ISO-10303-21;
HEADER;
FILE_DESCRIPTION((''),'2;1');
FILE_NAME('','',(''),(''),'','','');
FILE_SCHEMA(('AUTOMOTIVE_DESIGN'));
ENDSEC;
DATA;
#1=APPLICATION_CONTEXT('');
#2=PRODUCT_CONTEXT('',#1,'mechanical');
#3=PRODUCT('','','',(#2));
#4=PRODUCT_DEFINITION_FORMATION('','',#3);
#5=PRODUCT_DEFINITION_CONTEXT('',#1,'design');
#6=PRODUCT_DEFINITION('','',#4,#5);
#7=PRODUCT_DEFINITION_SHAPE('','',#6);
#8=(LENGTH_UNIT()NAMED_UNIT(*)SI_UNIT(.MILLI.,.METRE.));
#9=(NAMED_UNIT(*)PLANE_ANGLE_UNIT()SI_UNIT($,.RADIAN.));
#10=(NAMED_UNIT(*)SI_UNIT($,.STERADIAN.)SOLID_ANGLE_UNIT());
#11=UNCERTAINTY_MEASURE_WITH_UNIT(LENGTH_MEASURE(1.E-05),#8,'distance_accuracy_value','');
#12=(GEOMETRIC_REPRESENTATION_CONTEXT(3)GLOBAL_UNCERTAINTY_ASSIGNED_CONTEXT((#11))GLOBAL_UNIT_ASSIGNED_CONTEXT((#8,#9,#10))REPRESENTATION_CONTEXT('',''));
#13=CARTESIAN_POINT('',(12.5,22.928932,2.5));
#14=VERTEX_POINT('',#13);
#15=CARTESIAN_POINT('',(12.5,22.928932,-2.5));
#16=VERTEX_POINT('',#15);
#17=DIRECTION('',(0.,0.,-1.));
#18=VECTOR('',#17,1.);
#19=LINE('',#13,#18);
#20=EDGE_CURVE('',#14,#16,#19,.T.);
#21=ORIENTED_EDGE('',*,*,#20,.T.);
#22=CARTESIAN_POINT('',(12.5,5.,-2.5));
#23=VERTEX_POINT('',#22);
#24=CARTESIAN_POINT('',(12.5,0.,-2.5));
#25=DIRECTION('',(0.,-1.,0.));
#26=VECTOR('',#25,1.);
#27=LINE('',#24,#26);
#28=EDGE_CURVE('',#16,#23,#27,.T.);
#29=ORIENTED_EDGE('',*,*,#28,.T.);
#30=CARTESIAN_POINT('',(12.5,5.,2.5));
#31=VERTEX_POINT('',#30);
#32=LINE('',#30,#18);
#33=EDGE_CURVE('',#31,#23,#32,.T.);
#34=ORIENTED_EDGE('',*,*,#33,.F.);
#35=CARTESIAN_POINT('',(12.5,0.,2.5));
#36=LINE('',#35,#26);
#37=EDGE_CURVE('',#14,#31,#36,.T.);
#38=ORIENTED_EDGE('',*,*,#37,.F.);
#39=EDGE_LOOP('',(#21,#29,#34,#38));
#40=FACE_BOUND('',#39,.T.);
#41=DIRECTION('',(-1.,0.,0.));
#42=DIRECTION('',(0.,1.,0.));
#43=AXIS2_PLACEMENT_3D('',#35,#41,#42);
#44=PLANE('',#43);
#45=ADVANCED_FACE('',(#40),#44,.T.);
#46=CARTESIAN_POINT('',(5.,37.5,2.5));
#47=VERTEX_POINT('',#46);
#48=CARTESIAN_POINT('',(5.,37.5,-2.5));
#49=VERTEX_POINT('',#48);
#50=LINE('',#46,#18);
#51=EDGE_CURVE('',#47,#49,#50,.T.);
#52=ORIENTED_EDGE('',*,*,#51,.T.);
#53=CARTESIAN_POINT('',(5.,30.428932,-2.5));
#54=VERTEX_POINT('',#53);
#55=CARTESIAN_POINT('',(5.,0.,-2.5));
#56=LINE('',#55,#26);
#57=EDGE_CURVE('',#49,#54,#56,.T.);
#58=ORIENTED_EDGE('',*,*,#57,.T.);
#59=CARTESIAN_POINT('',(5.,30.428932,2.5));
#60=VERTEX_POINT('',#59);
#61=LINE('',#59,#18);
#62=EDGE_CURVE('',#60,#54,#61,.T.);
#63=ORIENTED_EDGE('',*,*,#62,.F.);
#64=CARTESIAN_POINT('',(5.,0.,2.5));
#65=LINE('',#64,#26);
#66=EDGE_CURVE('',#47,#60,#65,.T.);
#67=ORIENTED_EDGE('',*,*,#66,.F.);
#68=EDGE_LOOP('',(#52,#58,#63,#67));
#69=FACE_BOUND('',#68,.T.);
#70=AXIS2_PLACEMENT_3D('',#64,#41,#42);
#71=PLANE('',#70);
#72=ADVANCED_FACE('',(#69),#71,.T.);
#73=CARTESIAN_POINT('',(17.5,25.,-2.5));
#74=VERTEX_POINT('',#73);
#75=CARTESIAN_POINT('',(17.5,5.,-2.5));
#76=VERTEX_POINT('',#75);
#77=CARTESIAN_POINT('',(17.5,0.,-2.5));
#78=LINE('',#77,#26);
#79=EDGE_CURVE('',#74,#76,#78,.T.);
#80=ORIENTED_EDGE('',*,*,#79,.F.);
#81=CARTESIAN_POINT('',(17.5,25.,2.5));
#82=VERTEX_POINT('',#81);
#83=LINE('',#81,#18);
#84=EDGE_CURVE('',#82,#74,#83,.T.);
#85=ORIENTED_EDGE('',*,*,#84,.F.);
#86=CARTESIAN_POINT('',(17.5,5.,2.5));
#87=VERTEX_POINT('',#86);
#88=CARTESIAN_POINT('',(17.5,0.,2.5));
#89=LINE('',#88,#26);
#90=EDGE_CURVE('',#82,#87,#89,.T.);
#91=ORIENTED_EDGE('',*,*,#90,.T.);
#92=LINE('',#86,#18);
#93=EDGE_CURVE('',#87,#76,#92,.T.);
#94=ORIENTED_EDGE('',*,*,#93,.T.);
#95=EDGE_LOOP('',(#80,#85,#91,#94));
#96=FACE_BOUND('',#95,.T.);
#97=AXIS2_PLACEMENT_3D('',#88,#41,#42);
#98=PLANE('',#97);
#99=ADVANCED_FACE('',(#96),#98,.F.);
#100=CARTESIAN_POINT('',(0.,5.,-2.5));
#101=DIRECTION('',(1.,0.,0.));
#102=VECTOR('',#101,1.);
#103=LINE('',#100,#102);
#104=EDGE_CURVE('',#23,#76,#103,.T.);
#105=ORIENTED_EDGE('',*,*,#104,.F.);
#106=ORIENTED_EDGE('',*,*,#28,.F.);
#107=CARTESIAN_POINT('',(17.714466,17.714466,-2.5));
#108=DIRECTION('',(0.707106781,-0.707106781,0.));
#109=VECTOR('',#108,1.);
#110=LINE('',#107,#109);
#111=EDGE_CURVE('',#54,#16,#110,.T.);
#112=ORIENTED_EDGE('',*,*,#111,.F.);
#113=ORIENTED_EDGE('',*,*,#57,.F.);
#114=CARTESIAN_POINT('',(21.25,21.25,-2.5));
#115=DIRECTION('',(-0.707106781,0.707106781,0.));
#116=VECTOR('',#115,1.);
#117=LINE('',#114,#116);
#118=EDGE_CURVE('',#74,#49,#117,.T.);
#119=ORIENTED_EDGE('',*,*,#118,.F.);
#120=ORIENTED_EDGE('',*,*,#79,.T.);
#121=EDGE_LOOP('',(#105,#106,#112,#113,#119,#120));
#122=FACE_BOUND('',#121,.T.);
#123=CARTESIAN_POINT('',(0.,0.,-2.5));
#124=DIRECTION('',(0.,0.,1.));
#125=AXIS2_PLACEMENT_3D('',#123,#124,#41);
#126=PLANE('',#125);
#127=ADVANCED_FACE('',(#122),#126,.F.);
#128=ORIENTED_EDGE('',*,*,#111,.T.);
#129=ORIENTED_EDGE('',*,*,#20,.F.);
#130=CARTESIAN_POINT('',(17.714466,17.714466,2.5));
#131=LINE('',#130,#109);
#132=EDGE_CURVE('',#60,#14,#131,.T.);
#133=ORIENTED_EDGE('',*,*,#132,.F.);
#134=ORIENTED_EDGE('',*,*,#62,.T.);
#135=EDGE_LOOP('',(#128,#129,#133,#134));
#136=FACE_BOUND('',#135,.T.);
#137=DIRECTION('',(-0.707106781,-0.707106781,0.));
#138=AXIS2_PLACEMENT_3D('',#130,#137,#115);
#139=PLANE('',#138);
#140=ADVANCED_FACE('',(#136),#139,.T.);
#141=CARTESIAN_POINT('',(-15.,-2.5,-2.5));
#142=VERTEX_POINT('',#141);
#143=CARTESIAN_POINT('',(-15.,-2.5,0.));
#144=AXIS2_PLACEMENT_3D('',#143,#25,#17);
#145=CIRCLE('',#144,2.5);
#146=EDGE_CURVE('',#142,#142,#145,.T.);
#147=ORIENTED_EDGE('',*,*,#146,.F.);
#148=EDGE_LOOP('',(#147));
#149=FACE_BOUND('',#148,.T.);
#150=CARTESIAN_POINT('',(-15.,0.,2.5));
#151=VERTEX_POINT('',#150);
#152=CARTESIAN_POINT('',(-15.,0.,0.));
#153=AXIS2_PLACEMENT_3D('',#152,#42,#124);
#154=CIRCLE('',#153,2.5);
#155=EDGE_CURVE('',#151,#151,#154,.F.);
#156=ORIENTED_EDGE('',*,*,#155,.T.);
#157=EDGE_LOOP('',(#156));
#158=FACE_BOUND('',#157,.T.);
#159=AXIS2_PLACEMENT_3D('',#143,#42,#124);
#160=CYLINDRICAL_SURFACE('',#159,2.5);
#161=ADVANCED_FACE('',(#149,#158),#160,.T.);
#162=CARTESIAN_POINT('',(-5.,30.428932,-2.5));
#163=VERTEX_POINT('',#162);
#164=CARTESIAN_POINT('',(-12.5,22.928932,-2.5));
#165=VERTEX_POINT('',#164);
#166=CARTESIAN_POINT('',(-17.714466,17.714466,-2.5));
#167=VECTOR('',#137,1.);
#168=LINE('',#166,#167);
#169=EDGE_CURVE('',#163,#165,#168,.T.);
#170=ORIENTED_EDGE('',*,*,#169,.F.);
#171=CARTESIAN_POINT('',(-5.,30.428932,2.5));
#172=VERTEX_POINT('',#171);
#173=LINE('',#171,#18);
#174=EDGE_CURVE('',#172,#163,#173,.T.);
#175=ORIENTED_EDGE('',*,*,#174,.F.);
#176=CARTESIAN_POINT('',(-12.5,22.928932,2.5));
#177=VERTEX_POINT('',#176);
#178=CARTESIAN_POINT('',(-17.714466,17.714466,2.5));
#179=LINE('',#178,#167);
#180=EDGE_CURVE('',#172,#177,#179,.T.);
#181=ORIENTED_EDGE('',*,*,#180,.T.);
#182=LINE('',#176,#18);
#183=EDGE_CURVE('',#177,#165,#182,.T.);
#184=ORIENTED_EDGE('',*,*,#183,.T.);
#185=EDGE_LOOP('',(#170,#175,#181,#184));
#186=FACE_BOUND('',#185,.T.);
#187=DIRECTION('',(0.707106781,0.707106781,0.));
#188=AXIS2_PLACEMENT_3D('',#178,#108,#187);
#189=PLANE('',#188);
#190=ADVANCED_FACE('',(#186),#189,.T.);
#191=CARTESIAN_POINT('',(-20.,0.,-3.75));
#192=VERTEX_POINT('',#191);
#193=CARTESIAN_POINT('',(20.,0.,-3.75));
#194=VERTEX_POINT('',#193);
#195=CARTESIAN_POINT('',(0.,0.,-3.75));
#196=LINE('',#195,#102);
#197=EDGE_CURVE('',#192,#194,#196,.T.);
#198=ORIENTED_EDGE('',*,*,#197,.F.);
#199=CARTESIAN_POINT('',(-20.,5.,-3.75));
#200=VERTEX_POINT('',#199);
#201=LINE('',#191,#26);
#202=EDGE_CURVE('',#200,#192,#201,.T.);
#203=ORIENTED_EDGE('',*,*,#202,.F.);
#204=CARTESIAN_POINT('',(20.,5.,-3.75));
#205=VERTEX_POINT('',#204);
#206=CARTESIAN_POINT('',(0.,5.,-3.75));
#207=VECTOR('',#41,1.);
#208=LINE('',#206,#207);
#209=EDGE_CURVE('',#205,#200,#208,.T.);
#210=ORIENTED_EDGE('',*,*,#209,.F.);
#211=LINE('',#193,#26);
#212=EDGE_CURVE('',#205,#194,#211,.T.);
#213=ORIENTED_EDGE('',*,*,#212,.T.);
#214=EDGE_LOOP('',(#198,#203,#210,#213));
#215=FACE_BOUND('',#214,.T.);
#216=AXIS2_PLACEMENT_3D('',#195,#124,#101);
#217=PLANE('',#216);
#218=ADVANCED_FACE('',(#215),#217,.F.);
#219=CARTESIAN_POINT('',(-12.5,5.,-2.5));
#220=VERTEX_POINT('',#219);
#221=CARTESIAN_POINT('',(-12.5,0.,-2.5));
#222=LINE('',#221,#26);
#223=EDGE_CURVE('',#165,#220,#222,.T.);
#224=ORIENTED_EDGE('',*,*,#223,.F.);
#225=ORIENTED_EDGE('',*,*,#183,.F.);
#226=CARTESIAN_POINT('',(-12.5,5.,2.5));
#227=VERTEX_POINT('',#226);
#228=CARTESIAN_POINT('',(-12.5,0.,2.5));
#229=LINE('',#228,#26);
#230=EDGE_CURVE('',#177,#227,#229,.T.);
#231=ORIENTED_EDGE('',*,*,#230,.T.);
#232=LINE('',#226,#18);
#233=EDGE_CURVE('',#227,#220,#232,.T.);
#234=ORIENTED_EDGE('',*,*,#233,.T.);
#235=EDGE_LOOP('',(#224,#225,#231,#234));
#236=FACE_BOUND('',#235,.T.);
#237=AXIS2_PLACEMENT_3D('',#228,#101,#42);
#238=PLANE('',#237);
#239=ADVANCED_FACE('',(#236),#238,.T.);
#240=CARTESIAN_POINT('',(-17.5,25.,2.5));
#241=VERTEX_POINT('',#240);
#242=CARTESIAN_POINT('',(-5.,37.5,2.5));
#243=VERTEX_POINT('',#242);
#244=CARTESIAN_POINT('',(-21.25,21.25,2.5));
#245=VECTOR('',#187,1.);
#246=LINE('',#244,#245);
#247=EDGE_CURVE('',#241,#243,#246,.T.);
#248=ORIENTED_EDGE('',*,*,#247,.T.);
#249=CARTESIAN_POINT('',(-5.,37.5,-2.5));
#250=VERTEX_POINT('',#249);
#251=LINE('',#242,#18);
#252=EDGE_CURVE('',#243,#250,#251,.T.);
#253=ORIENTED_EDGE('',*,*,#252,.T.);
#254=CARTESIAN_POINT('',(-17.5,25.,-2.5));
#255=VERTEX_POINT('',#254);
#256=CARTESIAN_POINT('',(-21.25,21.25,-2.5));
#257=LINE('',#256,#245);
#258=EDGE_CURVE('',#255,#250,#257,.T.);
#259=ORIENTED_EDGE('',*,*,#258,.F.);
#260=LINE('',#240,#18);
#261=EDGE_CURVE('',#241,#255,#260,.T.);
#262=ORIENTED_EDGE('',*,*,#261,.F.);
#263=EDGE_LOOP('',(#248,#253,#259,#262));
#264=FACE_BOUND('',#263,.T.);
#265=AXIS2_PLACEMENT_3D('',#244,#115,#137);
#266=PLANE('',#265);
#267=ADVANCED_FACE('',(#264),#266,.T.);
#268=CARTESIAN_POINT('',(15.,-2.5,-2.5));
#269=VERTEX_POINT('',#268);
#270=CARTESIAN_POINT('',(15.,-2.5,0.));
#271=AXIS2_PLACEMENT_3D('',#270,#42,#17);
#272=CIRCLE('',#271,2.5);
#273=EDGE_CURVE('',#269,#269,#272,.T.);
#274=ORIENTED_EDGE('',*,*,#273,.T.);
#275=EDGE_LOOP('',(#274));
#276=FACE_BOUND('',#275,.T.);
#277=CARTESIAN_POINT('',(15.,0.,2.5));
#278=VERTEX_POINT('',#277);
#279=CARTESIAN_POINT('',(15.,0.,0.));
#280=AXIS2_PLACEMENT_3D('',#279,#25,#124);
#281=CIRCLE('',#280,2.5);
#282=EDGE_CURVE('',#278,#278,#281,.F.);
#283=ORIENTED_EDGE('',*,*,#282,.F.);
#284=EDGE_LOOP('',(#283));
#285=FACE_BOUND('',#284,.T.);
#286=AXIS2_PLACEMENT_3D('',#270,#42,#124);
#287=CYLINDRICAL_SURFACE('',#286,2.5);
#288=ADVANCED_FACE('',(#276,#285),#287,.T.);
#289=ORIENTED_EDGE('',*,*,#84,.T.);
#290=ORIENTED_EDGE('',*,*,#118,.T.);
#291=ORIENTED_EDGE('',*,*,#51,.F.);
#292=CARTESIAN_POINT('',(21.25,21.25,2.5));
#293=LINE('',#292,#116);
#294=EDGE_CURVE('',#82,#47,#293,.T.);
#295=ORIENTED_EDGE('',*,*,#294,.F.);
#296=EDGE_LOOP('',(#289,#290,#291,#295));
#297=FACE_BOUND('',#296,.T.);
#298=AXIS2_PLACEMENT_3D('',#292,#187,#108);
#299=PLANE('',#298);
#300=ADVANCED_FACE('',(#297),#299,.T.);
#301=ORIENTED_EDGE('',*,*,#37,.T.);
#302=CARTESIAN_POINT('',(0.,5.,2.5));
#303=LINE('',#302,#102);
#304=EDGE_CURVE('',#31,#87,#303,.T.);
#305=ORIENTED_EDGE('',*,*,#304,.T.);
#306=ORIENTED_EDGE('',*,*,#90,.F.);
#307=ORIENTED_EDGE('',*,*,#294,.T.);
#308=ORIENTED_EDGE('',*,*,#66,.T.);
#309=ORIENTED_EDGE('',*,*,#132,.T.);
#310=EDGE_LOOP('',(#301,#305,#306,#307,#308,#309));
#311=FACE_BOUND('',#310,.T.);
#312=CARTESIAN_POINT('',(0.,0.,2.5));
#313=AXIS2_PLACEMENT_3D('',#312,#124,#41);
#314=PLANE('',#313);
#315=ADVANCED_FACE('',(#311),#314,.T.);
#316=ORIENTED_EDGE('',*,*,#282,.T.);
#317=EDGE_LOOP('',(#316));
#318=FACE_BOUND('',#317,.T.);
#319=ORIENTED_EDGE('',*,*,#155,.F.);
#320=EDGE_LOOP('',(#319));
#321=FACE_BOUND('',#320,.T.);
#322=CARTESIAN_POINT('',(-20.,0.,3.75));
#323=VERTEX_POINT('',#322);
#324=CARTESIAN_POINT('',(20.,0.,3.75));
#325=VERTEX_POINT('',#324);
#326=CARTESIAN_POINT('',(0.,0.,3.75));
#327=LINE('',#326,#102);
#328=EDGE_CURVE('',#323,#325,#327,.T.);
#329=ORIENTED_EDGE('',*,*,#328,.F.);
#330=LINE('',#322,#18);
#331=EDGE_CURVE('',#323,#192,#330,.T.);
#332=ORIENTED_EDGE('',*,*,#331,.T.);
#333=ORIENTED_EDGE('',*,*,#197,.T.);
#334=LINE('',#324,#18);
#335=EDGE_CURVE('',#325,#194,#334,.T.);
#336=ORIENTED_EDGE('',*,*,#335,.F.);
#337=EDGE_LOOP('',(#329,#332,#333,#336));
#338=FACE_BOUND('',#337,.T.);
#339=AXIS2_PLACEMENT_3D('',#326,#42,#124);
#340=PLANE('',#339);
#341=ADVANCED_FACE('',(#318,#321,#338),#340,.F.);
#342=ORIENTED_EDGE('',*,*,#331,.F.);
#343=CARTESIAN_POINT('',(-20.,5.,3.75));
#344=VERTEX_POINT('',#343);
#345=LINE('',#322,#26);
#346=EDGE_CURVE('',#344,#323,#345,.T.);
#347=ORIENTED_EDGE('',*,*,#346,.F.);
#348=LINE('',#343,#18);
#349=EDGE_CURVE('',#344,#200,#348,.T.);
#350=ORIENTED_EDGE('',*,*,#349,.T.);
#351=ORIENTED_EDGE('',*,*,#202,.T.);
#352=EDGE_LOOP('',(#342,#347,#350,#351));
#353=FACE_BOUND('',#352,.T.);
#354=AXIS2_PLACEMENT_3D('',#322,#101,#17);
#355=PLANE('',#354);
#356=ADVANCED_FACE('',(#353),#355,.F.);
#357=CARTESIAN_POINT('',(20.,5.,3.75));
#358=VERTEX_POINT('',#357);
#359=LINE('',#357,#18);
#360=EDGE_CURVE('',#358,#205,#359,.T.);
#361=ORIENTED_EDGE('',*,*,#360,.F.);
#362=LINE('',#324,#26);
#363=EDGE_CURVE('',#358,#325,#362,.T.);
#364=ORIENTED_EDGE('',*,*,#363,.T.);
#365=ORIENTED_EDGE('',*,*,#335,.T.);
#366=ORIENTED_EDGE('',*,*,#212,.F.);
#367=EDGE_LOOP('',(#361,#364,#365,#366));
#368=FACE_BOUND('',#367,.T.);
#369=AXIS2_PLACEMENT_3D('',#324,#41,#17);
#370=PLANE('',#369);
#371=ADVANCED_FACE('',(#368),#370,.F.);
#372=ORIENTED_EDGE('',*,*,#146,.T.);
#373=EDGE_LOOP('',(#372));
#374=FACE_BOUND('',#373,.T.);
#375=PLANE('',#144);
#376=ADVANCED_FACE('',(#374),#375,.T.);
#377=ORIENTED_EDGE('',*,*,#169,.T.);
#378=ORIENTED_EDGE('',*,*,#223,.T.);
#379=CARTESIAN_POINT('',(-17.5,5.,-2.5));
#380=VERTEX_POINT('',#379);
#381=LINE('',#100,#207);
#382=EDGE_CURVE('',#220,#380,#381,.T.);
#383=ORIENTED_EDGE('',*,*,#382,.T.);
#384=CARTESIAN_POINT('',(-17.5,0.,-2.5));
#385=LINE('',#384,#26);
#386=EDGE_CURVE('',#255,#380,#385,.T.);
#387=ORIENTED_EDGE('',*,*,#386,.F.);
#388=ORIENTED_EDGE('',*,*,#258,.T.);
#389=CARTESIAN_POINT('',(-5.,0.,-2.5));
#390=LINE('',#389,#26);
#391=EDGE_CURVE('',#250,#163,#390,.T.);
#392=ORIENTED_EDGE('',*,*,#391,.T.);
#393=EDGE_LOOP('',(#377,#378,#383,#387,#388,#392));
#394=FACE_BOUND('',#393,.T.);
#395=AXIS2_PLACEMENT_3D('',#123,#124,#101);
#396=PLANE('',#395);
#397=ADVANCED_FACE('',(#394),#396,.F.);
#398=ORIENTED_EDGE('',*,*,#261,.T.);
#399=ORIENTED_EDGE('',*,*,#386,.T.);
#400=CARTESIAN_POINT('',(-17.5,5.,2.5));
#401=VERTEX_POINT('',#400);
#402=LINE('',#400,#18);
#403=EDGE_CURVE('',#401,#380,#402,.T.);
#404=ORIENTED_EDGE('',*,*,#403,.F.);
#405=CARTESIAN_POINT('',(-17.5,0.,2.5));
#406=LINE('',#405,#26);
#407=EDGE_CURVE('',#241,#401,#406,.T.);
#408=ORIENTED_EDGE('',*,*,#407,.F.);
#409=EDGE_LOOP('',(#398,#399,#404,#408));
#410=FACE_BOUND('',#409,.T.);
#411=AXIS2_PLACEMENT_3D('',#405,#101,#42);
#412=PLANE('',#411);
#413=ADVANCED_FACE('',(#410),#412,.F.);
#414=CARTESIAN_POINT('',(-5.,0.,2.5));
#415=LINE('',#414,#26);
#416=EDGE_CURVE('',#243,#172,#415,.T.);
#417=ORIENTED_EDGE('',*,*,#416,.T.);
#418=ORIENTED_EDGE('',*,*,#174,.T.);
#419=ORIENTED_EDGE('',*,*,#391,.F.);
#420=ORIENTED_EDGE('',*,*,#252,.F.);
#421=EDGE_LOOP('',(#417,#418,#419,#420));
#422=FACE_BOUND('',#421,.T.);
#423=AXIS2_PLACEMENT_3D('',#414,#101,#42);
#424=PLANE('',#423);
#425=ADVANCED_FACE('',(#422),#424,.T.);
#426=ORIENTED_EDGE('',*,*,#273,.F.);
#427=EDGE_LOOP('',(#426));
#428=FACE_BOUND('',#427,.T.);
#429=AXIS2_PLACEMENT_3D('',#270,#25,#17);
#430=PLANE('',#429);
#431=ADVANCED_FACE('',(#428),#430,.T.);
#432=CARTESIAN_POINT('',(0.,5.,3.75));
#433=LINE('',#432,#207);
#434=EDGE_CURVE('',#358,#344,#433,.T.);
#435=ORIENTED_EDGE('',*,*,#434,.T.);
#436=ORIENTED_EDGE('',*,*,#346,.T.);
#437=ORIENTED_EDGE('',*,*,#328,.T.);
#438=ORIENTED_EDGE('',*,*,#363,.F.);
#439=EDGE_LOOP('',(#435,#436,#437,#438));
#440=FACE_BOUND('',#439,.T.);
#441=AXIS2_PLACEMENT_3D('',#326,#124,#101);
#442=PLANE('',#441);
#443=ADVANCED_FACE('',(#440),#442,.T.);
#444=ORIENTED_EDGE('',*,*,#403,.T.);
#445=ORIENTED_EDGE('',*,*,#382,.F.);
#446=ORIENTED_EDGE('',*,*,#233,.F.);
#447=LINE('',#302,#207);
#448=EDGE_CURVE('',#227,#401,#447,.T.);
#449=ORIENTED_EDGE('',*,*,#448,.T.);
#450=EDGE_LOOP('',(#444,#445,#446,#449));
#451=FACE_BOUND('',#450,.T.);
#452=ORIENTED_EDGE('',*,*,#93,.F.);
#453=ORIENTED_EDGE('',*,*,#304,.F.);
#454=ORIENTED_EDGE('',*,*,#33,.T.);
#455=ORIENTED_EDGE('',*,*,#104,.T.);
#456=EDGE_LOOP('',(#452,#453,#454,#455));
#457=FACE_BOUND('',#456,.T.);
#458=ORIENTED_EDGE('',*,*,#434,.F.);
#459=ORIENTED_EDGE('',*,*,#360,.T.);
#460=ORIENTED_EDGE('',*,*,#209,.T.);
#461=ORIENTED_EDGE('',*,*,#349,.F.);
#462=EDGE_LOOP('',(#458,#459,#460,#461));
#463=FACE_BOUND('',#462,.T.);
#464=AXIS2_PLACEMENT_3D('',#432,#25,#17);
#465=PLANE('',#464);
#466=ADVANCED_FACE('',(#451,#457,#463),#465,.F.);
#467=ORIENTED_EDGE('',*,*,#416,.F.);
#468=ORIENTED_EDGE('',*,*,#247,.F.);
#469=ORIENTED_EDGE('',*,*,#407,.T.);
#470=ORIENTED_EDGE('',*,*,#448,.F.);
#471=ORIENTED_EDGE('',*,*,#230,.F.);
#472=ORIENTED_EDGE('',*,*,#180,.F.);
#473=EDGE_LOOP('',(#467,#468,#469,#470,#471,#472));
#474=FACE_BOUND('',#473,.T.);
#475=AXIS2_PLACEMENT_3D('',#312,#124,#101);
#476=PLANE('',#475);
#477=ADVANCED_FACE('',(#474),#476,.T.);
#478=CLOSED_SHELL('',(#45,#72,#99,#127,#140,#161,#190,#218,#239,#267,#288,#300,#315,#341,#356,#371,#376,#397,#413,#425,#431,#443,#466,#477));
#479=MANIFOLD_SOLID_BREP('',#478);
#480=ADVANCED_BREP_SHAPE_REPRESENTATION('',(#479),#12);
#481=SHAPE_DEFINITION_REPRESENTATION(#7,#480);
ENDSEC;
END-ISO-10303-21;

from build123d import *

# Parameters (mm, degrees)
BOSS_EXTRUDE1_DEPTH = 2.5
BOSS_EXTRUDE2_DEPTH = 3.75
SKETCH3_R           = 2.5
BOSS_EXTRUDE3_DEPTH = 2.5


with BuildPart() as part:
    # Sketch1 → Boss-Extrude1 (new, symmetric)
    with BuildSketch(Plane.XY):
        Polygon((-17.5, 25), (-17.5, 5), (-12.5, 5), (-12.5, 22.928932188), (-5, 30.428932188), (-5, 37.5), align=None)
    boss_extrude1 = extrude(amount=BOSS_EXTRUDE1_DEPTH, both=True)

    # Sketch1<3> → Boss-Extrude2 (add, symmetric)
    with BuildSketch(Plane.XY):
        Polygon((-20, 5), (-20, 0), (0, 0), (0, 5), (-12.5, 5), (-17.5, 5), align=None)
    boss_extrude2 = extrude(amount=BOSS_EXTRUDE2_DEPTH, both=True)

    # Sketch3 → Boss-Extrude3 (add)
    with BuildSketch(Plane.XZ):
        with Locations((-15, 0)):
            Circle(SKETCH3_R)
    boss_extrude3 = extrude(amount=BOSS_EXTRUDE3_DEPTH)

    # Mirror1: Boss-Extrude1, Boss-Extrude2, Boss-Extrude3 across plane
    add(boss_extrude1.mirror(Plane(origin=(0, 0, 0), x_dir=(0, 0, 1), z_dir=(1, 0, 0))))
    add(boss_extrude2.mirror(Plane(origin=(0, 0, 0), x_dir=(0, 0, 1), z_dir=(1, 0, 0))))
    add(boss_extrude3.mirror(Plane(origin=(0, 0, 0), x_dir=(0, 0, 1), z_dir=(1, 0, 0))))


solid = part.part
